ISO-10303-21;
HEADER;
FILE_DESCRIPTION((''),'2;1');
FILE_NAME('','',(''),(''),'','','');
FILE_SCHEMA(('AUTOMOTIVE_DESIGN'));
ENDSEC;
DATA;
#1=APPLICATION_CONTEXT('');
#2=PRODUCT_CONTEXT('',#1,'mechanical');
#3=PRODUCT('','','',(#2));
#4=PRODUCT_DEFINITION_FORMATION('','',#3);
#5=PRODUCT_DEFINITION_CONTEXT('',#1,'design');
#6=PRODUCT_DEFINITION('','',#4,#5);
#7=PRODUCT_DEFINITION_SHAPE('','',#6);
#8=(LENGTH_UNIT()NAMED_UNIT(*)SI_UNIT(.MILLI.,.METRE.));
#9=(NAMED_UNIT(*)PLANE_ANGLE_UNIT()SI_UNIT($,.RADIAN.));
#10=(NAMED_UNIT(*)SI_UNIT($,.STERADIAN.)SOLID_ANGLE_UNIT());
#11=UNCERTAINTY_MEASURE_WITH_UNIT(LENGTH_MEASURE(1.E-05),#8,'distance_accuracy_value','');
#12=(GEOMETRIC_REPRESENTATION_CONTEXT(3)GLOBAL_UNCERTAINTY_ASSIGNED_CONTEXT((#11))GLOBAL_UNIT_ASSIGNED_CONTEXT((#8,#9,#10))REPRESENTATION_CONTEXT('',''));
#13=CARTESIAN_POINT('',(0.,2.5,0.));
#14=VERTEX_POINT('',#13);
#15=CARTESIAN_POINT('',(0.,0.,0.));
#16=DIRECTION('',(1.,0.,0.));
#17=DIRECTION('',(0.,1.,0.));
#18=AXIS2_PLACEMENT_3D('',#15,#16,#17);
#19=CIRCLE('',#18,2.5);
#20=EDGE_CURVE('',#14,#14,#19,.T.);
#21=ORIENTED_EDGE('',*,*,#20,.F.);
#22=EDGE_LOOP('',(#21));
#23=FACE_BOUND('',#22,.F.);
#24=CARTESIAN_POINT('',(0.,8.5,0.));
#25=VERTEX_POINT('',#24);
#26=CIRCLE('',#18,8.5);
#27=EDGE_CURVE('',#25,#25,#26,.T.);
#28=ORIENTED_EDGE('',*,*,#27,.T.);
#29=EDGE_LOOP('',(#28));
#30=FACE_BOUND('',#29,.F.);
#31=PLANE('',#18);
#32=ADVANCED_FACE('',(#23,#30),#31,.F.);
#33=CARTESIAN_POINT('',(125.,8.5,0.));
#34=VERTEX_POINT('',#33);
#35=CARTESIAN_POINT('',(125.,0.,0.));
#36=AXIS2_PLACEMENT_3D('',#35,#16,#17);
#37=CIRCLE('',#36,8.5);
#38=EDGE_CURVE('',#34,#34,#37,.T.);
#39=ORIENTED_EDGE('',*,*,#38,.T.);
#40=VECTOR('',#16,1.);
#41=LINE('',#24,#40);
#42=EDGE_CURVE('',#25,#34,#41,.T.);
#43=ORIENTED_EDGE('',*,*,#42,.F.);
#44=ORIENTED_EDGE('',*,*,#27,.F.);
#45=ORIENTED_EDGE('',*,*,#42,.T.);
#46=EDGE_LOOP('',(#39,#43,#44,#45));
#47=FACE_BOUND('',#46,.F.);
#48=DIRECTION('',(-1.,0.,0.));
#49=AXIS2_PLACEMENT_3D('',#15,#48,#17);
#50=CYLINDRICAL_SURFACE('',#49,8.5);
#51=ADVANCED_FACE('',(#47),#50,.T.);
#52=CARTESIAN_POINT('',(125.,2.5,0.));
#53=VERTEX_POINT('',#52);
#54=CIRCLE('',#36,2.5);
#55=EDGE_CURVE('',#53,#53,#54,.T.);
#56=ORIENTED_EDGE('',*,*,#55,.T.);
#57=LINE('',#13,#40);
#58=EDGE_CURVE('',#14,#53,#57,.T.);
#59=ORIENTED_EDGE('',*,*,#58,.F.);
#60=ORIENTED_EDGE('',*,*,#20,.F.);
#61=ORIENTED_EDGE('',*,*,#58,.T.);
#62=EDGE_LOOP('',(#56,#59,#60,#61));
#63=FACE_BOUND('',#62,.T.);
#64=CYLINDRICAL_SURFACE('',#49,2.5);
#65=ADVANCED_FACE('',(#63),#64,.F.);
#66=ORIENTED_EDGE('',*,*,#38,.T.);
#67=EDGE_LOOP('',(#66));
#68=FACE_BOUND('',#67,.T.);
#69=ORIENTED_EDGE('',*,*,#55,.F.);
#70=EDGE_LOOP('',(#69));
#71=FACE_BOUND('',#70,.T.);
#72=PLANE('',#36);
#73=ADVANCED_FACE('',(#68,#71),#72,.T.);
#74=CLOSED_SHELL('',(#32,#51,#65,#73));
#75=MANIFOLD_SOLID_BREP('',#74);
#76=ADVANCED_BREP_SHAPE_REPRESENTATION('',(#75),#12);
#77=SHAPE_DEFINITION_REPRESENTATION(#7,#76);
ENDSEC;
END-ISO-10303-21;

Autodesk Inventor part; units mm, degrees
ref_plane "YZ Plane" through (0, 0, 0) normal (1, 0, 0) x (0, 1, 0)
ref_plane "XZ Plane" through (0, 0, 0) normal (0, 1, 0) x (-1, 0, 0)
ref_plane "XY Plane" through (0, 0, 0) normal (0, 0, 1) x (1, 0, 0)
sketch "Sketch1" plane through (0, 0, 0) normal (1, 0, 0) x (0, 1, 0)
  circle A0 centre (0, 0) radius 8.5
  circle A1 centre (0, 0) radius 2.5
  dimension "d0" = 17
  dimension "d1" = 5
extrude "Extrusion1" add sketch "Sketch1" along normal blind 125
properties part number "Shitty support dont delete" material "Aluminum 6061"
